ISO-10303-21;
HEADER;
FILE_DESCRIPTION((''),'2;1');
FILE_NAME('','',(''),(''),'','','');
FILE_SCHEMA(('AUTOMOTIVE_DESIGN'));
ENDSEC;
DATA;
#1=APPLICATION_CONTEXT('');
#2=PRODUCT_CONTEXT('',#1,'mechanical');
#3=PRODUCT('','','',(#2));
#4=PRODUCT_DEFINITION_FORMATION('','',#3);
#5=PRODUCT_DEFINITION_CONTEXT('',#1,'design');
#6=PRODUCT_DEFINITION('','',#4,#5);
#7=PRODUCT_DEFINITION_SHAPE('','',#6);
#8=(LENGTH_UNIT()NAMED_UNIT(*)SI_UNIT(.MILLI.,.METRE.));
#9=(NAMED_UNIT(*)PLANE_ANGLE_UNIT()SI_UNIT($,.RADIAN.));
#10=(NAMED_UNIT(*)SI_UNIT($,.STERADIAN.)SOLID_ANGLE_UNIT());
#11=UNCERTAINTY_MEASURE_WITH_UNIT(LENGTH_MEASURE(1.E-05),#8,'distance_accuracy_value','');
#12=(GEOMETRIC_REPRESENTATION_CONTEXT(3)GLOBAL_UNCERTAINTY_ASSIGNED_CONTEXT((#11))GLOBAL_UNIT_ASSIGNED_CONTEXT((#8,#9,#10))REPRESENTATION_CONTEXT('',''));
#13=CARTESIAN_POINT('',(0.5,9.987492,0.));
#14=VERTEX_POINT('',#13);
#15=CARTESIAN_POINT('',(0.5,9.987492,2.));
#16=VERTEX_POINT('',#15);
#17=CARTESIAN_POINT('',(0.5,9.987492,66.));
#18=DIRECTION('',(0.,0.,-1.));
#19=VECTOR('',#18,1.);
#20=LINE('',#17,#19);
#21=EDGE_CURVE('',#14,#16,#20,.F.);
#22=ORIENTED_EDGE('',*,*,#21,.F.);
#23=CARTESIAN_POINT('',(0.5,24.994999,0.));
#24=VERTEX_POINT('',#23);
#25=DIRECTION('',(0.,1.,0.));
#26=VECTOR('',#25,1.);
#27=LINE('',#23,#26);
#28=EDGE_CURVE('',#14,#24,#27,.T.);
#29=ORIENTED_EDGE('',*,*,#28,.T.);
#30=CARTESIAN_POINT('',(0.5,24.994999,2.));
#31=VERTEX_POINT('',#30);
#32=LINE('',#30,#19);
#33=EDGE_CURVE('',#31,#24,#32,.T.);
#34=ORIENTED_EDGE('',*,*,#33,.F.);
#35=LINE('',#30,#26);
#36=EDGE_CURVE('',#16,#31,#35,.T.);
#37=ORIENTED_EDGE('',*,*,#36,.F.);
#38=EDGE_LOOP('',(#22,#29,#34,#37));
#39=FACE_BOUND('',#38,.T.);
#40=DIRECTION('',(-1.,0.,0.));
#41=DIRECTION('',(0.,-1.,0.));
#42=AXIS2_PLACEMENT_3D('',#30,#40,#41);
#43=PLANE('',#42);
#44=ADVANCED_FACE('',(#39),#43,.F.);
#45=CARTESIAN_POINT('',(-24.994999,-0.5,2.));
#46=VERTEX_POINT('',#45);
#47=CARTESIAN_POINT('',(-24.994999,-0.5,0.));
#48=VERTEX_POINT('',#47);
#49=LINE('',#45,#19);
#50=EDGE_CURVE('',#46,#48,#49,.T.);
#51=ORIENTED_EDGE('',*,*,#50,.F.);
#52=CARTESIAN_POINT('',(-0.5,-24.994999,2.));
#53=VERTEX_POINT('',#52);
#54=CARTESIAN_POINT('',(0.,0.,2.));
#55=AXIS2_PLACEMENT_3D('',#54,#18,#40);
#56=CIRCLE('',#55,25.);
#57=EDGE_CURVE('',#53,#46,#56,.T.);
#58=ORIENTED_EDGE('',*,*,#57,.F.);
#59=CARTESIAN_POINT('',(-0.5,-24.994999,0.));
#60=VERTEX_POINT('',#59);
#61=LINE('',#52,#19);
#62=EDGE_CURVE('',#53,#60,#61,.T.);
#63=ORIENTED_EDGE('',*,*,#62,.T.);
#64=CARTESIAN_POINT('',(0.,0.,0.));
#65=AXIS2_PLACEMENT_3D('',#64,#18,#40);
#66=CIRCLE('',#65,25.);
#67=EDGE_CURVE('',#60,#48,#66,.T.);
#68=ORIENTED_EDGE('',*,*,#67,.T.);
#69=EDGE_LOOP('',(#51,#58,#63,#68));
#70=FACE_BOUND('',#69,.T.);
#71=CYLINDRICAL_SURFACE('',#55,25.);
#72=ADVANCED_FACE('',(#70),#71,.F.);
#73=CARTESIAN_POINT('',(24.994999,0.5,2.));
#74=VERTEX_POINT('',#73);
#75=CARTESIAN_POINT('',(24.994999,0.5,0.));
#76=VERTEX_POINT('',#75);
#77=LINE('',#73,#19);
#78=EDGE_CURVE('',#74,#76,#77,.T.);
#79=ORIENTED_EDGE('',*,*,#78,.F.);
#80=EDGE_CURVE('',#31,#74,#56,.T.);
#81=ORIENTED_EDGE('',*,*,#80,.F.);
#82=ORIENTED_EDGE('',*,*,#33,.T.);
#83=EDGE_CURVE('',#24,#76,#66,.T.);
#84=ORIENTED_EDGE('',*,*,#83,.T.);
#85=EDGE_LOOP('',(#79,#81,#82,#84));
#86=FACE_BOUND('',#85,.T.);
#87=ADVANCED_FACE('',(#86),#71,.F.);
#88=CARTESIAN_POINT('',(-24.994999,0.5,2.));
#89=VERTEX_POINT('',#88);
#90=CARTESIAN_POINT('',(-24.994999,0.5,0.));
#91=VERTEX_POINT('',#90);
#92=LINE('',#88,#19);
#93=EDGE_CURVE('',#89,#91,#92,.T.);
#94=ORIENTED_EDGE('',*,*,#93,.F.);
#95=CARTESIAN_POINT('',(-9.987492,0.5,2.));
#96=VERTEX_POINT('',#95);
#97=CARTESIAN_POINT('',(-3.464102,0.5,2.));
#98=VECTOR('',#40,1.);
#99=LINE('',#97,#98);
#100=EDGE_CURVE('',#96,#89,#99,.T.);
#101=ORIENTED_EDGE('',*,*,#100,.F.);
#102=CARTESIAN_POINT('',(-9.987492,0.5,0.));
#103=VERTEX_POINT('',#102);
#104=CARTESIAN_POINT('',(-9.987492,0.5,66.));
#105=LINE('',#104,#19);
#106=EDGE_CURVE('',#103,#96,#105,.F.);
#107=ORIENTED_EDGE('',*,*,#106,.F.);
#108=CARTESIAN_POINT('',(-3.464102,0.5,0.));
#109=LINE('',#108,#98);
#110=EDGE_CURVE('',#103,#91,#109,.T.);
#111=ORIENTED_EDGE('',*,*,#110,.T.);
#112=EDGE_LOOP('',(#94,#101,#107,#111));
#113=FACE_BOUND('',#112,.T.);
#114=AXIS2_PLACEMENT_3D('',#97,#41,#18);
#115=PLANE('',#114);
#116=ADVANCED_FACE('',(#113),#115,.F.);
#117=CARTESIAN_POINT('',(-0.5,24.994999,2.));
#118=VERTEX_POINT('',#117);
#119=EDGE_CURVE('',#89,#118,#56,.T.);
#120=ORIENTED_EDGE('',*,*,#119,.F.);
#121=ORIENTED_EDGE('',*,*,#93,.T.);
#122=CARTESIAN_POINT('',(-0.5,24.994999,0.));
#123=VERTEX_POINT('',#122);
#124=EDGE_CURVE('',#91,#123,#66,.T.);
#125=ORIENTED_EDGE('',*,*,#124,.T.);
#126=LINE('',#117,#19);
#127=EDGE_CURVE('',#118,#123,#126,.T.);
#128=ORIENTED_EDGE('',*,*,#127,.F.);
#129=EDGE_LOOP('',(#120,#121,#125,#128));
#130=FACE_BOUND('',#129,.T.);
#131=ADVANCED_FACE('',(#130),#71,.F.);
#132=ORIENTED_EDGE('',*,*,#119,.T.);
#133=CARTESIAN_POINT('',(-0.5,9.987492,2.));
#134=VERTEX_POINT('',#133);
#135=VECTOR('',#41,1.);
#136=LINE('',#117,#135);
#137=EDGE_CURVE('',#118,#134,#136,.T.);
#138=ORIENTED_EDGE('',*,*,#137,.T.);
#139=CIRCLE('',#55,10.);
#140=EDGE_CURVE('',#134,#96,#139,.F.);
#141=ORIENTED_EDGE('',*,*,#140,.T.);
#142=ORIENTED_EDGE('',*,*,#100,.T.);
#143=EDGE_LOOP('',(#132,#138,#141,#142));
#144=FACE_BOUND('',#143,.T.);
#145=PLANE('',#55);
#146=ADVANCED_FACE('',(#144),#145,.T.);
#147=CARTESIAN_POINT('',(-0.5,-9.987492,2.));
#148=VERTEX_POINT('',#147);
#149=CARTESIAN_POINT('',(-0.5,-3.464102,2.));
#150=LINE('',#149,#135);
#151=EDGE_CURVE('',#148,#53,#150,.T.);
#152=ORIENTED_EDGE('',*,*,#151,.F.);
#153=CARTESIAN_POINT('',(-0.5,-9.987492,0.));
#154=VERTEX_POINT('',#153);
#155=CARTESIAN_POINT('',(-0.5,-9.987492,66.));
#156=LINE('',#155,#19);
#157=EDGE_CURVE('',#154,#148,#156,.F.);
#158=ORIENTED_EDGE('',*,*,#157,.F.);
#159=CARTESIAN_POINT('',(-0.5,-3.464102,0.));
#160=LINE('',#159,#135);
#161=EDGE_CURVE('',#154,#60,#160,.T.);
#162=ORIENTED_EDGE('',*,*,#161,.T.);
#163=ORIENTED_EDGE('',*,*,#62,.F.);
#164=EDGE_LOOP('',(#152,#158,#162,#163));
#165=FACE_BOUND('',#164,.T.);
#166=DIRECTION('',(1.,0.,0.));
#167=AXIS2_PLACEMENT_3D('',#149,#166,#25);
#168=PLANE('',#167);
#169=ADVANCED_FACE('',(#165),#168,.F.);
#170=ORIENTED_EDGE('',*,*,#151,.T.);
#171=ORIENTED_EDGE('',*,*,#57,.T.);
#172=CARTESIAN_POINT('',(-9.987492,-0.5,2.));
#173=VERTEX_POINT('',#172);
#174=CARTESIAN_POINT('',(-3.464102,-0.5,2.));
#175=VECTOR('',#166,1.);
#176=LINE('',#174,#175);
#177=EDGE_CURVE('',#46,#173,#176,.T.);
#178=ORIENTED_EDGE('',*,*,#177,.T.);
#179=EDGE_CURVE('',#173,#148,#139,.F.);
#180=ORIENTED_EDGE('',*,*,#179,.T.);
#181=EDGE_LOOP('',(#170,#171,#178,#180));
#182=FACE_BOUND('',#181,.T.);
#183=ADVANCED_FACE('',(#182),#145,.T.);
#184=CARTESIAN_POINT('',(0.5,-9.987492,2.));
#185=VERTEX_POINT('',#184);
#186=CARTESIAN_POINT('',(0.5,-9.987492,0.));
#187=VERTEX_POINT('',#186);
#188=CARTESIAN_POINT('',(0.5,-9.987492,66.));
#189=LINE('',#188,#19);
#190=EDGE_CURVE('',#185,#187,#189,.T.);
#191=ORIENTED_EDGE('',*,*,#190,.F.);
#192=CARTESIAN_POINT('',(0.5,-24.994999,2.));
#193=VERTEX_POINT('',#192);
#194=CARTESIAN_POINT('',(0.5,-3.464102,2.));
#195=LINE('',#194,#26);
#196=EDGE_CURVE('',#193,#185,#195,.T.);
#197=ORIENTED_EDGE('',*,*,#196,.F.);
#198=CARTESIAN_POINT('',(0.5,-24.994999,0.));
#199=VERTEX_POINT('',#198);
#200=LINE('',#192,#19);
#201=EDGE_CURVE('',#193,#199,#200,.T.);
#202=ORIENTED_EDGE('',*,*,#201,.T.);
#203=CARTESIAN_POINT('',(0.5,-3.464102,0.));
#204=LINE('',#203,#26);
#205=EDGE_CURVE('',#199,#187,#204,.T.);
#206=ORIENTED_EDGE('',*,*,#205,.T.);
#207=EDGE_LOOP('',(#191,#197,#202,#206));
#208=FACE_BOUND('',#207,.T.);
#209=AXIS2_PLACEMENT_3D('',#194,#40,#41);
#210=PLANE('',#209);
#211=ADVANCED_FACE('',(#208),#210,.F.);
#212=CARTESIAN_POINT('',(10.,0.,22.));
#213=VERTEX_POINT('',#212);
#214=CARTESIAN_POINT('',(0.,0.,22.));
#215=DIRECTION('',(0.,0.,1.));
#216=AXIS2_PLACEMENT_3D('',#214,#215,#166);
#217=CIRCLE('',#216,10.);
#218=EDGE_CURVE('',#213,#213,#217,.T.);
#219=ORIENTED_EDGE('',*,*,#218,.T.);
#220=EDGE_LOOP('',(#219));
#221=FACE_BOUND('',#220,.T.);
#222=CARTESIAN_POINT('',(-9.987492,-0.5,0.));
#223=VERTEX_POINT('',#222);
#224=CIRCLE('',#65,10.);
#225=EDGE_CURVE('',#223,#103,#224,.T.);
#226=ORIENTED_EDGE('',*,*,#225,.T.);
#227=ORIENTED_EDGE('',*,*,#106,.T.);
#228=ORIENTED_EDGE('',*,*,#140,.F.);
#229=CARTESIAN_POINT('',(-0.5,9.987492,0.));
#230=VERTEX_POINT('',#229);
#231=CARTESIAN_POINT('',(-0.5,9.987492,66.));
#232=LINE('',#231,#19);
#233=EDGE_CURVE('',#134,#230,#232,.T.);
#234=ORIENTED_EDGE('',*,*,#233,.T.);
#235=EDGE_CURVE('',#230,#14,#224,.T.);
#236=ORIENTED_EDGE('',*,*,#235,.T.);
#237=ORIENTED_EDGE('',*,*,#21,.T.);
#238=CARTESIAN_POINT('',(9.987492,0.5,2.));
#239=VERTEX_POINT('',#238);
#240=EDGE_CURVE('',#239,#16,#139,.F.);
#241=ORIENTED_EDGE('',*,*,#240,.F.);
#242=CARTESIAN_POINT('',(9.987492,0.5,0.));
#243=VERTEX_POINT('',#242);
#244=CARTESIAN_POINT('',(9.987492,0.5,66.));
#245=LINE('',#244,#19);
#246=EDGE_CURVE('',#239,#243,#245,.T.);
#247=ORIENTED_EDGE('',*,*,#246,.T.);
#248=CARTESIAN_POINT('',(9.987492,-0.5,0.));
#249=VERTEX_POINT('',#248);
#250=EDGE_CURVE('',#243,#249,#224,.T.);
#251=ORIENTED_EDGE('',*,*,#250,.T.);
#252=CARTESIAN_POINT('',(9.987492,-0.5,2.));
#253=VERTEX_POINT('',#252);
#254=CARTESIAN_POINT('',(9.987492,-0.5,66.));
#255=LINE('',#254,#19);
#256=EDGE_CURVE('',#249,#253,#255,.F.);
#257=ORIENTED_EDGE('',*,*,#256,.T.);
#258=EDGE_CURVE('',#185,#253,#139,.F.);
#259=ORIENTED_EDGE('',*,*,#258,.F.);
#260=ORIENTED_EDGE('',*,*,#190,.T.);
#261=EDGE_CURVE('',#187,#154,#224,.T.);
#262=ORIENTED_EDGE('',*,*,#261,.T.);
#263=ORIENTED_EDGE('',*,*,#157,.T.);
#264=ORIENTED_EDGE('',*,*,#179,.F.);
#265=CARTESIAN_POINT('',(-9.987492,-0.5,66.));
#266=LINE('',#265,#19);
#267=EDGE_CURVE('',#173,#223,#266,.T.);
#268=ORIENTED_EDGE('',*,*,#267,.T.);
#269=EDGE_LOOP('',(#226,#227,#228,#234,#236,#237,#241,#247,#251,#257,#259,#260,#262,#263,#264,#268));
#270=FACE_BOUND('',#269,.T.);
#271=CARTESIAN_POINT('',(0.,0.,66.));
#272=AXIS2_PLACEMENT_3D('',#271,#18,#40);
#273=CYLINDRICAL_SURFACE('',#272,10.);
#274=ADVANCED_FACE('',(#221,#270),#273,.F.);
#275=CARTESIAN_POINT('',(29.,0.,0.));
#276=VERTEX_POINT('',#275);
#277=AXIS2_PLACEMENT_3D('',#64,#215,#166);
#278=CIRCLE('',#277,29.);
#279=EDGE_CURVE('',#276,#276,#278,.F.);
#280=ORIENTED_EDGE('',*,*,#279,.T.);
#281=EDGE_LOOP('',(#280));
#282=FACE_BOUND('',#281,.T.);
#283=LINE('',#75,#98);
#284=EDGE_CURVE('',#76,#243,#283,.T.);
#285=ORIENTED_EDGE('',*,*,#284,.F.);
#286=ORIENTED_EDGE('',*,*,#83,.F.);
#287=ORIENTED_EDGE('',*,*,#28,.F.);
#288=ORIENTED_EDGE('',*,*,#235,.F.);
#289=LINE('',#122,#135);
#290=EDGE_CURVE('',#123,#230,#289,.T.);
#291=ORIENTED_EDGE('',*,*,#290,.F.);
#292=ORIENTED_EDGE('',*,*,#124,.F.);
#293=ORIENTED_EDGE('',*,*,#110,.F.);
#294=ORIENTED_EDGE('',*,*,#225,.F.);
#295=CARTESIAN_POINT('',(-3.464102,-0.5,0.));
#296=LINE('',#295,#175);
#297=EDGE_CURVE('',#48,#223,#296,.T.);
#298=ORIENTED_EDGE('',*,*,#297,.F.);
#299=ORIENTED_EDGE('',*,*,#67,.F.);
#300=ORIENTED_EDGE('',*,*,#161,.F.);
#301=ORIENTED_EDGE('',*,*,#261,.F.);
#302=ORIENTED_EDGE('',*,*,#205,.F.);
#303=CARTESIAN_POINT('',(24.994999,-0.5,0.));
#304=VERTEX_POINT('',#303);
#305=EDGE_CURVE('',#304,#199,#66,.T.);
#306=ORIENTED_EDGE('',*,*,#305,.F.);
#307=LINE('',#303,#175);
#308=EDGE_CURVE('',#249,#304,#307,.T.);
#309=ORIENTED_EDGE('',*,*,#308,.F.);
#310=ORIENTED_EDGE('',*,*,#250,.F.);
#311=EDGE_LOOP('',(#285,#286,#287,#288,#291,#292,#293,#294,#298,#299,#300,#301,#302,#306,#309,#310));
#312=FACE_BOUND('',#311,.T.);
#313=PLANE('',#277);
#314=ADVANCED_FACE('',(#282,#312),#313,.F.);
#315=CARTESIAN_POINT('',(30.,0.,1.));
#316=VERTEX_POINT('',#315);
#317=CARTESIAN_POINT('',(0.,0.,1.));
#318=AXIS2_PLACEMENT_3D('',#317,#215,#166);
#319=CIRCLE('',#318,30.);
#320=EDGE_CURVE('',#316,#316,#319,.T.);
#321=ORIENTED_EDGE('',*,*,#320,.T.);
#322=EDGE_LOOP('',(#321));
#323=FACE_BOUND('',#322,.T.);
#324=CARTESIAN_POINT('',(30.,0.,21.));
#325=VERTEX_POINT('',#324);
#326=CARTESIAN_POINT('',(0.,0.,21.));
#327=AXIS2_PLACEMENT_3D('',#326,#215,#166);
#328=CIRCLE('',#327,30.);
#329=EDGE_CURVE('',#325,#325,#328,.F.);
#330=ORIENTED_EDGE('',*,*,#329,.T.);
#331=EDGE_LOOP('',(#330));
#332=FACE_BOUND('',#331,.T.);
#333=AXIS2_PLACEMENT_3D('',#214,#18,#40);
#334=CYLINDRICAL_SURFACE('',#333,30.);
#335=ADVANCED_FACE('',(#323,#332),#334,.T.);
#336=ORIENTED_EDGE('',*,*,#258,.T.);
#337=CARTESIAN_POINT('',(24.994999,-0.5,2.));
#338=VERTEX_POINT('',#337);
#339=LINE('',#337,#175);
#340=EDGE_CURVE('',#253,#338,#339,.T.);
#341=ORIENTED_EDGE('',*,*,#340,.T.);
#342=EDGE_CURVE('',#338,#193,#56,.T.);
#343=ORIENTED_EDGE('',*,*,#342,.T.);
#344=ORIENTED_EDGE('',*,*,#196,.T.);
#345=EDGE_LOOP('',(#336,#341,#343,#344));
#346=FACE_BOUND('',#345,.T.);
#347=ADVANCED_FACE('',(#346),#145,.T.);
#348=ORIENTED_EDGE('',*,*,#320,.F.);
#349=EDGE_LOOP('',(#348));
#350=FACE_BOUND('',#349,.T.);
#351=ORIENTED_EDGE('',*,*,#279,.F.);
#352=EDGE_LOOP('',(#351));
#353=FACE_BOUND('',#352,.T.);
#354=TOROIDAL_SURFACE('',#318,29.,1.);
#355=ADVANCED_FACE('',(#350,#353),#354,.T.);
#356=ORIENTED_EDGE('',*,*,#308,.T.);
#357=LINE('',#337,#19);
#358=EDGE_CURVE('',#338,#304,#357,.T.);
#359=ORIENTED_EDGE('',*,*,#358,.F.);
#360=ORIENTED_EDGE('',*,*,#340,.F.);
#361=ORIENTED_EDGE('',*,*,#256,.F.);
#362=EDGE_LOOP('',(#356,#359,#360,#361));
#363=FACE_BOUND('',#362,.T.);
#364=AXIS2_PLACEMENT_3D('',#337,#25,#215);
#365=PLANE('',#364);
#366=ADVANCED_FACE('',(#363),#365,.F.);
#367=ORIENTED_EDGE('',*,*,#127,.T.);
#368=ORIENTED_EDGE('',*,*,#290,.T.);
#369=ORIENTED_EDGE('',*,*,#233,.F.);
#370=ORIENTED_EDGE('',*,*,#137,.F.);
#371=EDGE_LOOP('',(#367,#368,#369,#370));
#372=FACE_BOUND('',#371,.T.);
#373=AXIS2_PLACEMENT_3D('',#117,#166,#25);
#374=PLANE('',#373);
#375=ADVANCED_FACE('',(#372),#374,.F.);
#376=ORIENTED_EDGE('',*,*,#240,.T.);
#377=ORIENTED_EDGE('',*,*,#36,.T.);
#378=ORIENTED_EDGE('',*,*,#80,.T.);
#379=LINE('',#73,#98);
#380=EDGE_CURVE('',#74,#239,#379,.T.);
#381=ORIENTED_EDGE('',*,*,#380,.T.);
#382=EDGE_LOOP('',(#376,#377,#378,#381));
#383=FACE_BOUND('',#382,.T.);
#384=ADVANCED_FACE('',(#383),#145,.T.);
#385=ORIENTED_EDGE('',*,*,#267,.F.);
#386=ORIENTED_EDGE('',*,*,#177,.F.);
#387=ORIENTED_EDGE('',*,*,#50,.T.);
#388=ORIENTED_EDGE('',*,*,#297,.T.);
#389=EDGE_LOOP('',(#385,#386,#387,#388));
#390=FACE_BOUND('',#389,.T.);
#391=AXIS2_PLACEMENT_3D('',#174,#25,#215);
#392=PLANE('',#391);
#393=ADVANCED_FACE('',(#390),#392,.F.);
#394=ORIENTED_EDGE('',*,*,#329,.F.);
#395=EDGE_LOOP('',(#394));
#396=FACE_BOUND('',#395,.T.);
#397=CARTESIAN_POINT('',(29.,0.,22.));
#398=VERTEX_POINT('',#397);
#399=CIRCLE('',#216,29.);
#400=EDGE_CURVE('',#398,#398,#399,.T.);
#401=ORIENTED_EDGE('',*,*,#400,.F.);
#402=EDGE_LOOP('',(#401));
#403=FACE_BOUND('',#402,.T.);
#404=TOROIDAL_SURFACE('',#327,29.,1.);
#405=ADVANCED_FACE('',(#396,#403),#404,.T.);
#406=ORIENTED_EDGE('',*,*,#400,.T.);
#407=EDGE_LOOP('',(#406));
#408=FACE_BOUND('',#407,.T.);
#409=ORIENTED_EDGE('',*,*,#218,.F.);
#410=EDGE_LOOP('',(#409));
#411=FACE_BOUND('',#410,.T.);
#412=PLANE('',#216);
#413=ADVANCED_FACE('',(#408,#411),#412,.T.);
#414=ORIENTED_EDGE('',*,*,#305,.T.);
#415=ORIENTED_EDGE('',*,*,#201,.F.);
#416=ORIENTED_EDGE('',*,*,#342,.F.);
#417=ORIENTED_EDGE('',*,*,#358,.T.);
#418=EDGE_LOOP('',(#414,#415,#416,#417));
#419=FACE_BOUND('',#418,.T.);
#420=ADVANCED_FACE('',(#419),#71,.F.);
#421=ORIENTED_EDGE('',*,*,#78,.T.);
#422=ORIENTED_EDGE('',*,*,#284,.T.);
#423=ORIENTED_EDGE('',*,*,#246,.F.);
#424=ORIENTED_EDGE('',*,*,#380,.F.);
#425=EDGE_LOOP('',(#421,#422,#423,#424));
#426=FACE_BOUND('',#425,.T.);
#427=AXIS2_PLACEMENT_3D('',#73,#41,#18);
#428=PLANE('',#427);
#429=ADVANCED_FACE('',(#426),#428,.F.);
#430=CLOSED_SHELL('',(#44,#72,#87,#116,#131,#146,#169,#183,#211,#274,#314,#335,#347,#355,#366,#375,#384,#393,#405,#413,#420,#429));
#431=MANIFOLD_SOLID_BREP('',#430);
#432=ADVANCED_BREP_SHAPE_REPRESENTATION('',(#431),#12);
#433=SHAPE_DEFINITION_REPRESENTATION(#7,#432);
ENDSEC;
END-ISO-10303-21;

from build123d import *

# Parameters (mm, degrees)
SKETCH1_R           = 30
BOSS_EXTRUDE1_DEPTH = 22
SKETCH2_R           = 10
CUT_EXTRUDE1_DEPTH  = 66
FILLET1_R           = 1
CUT_EXTRUDE2_DEPTH  = 2


with BuildPart() as part:
    # Sketch1 → Boss-Extrude1 (new body)
    with BuildSketch(Plane.XY):
        Circle(SKETCH1_R)
    extrude(amount=BOSS_EXTRUDE1_DEPTH)

    # Sketch2 → Cut-Extrude1 (cut)
    with BuildSketch(Plane(origin=(0, 0, 0), x_dir=(-1, 0, 0), z_dir=(0, 0, -1))):
        Circle(SKETCH2_R)
    extrude(amount=-CUT_EXTRUDE1_DEPTH, mode=Mode.SUBTRACT)

    # Fillet1
    fillet1_edges = [part.edges().sort_by_distance(p)[0] for p in [
        (-30, 0, 0),
        (-30, 0, 22),
    ]]
    fillet(fillet1_edges, radius=FILLET1_R)

    # Sketch3 → Cut-Extrude2 (cut)
    with BuildSketch(Plane(origin=(0, 0, 0), x_dir=(-1, 0, 0), z_dir=(0, 0, -1))):
        with BuildLine():
            Line((-0.5, 24.9949995), (-0.5, 3.464101615))
            ThreePointArc((-0.5, 3.464101615), (-2.474873734, 2.474873734), (-3.464101615, 0.5))
            Line((-3.464101615, 0.5), (-24.9949995, 0.5))
            ThreePointArc((-24.9949995, 0.5), (-17.67766953, 17.67766953), (-0.5, 24.9949995))
        make_face()
        with BuildLine():
            Line((0.5, 24.9949995), (0.5, 3.464101615))
            ThreePointArc((0.5, 3.464101615), (2.474873734, 2.474873734), (3.464101615, 0.5))
            Line((3.464101615, 0.5), (24.9949995, 0.5))
            ThreePointArc((24.9949995, 0.5), (17.67766953, 17.67766953), (0.5, 24.9949995))
        make_face()
        with BuildLine():
            Line((-24.9949995, -0.5), (-3.464101615, -0.5))
            ThreePointArc((-3.464101615, -0.5), (-2.474873734, -2.474873734), (-0.5, -3.464101615))
            Line((-0.5, -3.464101615), (-0.5, -24.9949995))
            ThreePointArc((-0.5, -24.9949995), (-17.67766953, -17.67766953), (-24.9949995, -0.5))
        make_face()
        with BuildLine():
            Line((0.5, -3.464101615), (0.5, -24.9949995))
            ThreePointArc((0.5, -24.9949995), (17.67766953, -17.67766953), (24.9949995, -0.5))
            Line((24.9949995, -0.5), (3.464101615, -0.5))
            ThreePointArc((3.464101615, -0.5), (2.474873734, -2.474873734), (0.5, -3.464101615))
        make_face()
    extrude(amount=-CUT_EXTRUDE2_DEPTH, mode=Mode.SUBTRACT)


solid = part.part
